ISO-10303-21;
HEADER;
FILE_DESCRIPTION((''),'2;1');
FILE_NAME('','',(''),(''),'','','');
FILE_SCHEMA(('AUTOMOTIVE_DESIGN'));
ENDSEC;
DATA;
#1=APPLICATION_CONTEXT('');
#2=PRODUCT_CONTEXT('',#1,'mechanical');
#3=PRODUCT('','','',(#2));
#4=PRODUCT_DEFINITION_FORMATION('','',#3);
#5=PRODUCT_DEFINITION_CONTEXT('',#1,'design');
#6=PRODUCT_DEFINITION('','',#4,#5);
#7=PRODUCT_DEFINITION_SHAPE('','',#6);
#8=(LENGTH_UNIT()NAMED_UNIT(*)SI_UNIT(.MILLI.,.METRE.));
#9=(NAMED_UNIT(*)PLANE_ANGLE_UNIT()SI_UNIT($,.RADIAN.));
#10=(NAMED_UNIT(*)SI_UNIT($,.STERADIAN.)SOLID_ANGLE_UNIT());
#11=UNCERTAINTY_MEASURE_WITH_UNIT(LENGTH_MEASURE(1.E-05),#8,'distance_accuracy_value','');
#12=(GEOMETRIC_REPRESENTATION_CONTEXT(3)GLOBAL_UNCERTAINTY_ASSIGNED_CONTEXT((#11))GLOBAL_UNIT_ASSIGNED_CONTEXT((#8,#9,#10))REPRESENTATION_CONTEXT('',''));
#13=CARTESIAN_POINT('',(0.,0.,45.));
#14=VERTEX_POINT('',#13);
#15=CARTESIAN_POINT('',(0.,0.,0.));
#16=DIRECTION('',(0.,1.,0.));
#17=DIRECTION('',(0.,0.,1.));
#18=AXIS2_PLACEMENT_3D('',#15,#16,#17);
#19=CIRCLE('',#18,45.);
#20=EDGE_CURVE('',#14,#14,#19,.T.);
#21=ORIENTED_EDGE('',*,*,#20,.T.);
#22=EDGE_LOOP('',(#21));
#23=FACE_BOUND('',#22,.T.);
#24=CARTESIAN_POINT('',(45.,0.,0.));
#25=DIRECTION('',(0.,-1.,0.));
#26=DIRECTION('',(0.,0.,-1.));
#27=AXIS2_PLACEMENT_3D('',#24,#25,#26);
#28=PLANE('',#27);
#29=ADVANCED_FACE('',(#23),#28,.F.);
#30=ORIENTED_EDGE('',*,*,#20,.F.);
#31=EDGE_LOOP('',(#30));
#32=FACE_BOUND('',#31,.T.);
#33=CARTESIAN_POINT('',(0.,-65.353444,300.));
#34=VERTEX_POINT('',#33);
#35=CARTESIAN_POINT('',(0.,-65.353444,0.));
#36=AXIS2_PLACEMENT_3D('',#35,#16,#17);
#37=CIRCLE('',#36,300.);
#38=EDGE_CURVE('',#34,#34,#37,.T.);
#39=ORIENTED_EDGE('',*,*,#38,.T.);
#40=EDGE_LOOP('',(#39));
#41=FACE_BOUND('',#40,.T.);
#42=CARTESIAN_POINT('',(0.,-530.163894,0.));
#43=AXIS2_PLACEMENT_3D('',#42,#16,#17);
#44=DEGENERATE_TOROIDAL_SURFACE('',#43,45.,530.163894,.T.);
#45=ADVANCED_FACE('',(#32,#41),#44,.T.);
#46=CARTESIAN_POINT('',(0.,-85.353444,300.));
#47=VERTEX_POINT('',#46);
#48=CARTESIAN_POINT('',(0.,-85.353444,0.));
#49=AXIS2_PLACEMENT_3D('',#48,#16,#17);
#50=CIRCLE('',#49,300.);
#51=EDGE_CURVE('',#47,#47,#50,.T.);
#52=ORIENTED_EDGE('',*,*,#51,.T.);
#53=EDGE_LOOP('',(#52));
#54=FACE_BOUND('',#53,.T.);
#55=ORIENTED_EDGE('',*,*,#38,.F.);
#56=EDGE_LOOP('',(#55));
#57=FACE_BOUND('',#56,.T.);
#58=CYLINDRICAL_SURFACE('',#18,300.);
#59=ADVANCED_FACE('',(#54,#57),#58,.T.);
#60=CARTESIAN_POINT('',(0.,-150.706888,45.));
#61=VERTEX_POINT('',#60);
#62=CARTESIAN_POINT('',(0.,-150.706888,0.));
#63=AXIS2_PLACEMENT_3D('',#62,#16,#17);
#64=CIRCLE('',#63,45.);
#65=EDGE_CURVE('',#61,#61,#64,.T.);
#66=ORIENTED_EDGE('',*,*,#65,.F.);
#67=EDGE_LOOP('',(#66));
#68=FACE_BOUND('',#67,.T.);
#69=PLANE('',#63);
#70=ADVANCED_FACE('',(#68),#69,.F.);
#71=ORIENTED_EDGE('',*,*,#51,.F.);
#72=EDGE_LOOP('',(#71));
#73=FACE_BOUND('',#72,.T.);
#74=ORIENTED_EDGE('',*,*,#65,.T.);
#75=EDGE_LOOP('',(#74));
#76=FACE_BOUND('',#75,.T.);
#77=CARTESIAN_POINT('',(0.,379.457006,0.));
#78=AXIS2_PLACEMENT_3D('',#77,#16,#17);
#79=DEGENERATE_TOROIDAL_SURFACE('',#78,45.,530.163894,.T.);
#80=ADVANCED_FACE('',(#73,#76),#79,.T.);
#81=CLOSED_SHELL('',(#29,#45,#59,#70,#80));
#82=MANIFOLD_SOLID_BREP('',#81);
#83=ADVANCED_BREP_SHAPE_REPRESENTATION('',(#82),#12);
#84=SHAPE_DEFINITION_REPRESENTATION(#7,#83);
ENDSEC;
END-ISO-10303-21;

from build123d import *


with BuildPart() as part:
    # Sketch1 → Revolve1 (revolve)
    with BuildSketch(Plane.XY, mode=Mode.PRIVATE) as revolve1_sk:
        with BuildLine():
            Line((300, -65.353443934), (300, -85.353443934))
            ThreePointArc((300, -85.353443934), (176.620736051, -134.108701777), (45, -150.706887868))
            Line((45, -150.706887868), (0, -150.706887868))
            Line((0, -150.706887868), (0, 0))
            Line((0, 0), (45, 0))
            ThreePointArc((45, 0), (176.620736051, -16.598186091), (300, -65.353443934))
        make_face()
    revolve(revolve1_sk.sketch.rotate(Axis((0, 0, 0), (0, -1, 0)), 90), axis=Axis((0, 0, 0), (0, -1, 0)))


solid = part.part
